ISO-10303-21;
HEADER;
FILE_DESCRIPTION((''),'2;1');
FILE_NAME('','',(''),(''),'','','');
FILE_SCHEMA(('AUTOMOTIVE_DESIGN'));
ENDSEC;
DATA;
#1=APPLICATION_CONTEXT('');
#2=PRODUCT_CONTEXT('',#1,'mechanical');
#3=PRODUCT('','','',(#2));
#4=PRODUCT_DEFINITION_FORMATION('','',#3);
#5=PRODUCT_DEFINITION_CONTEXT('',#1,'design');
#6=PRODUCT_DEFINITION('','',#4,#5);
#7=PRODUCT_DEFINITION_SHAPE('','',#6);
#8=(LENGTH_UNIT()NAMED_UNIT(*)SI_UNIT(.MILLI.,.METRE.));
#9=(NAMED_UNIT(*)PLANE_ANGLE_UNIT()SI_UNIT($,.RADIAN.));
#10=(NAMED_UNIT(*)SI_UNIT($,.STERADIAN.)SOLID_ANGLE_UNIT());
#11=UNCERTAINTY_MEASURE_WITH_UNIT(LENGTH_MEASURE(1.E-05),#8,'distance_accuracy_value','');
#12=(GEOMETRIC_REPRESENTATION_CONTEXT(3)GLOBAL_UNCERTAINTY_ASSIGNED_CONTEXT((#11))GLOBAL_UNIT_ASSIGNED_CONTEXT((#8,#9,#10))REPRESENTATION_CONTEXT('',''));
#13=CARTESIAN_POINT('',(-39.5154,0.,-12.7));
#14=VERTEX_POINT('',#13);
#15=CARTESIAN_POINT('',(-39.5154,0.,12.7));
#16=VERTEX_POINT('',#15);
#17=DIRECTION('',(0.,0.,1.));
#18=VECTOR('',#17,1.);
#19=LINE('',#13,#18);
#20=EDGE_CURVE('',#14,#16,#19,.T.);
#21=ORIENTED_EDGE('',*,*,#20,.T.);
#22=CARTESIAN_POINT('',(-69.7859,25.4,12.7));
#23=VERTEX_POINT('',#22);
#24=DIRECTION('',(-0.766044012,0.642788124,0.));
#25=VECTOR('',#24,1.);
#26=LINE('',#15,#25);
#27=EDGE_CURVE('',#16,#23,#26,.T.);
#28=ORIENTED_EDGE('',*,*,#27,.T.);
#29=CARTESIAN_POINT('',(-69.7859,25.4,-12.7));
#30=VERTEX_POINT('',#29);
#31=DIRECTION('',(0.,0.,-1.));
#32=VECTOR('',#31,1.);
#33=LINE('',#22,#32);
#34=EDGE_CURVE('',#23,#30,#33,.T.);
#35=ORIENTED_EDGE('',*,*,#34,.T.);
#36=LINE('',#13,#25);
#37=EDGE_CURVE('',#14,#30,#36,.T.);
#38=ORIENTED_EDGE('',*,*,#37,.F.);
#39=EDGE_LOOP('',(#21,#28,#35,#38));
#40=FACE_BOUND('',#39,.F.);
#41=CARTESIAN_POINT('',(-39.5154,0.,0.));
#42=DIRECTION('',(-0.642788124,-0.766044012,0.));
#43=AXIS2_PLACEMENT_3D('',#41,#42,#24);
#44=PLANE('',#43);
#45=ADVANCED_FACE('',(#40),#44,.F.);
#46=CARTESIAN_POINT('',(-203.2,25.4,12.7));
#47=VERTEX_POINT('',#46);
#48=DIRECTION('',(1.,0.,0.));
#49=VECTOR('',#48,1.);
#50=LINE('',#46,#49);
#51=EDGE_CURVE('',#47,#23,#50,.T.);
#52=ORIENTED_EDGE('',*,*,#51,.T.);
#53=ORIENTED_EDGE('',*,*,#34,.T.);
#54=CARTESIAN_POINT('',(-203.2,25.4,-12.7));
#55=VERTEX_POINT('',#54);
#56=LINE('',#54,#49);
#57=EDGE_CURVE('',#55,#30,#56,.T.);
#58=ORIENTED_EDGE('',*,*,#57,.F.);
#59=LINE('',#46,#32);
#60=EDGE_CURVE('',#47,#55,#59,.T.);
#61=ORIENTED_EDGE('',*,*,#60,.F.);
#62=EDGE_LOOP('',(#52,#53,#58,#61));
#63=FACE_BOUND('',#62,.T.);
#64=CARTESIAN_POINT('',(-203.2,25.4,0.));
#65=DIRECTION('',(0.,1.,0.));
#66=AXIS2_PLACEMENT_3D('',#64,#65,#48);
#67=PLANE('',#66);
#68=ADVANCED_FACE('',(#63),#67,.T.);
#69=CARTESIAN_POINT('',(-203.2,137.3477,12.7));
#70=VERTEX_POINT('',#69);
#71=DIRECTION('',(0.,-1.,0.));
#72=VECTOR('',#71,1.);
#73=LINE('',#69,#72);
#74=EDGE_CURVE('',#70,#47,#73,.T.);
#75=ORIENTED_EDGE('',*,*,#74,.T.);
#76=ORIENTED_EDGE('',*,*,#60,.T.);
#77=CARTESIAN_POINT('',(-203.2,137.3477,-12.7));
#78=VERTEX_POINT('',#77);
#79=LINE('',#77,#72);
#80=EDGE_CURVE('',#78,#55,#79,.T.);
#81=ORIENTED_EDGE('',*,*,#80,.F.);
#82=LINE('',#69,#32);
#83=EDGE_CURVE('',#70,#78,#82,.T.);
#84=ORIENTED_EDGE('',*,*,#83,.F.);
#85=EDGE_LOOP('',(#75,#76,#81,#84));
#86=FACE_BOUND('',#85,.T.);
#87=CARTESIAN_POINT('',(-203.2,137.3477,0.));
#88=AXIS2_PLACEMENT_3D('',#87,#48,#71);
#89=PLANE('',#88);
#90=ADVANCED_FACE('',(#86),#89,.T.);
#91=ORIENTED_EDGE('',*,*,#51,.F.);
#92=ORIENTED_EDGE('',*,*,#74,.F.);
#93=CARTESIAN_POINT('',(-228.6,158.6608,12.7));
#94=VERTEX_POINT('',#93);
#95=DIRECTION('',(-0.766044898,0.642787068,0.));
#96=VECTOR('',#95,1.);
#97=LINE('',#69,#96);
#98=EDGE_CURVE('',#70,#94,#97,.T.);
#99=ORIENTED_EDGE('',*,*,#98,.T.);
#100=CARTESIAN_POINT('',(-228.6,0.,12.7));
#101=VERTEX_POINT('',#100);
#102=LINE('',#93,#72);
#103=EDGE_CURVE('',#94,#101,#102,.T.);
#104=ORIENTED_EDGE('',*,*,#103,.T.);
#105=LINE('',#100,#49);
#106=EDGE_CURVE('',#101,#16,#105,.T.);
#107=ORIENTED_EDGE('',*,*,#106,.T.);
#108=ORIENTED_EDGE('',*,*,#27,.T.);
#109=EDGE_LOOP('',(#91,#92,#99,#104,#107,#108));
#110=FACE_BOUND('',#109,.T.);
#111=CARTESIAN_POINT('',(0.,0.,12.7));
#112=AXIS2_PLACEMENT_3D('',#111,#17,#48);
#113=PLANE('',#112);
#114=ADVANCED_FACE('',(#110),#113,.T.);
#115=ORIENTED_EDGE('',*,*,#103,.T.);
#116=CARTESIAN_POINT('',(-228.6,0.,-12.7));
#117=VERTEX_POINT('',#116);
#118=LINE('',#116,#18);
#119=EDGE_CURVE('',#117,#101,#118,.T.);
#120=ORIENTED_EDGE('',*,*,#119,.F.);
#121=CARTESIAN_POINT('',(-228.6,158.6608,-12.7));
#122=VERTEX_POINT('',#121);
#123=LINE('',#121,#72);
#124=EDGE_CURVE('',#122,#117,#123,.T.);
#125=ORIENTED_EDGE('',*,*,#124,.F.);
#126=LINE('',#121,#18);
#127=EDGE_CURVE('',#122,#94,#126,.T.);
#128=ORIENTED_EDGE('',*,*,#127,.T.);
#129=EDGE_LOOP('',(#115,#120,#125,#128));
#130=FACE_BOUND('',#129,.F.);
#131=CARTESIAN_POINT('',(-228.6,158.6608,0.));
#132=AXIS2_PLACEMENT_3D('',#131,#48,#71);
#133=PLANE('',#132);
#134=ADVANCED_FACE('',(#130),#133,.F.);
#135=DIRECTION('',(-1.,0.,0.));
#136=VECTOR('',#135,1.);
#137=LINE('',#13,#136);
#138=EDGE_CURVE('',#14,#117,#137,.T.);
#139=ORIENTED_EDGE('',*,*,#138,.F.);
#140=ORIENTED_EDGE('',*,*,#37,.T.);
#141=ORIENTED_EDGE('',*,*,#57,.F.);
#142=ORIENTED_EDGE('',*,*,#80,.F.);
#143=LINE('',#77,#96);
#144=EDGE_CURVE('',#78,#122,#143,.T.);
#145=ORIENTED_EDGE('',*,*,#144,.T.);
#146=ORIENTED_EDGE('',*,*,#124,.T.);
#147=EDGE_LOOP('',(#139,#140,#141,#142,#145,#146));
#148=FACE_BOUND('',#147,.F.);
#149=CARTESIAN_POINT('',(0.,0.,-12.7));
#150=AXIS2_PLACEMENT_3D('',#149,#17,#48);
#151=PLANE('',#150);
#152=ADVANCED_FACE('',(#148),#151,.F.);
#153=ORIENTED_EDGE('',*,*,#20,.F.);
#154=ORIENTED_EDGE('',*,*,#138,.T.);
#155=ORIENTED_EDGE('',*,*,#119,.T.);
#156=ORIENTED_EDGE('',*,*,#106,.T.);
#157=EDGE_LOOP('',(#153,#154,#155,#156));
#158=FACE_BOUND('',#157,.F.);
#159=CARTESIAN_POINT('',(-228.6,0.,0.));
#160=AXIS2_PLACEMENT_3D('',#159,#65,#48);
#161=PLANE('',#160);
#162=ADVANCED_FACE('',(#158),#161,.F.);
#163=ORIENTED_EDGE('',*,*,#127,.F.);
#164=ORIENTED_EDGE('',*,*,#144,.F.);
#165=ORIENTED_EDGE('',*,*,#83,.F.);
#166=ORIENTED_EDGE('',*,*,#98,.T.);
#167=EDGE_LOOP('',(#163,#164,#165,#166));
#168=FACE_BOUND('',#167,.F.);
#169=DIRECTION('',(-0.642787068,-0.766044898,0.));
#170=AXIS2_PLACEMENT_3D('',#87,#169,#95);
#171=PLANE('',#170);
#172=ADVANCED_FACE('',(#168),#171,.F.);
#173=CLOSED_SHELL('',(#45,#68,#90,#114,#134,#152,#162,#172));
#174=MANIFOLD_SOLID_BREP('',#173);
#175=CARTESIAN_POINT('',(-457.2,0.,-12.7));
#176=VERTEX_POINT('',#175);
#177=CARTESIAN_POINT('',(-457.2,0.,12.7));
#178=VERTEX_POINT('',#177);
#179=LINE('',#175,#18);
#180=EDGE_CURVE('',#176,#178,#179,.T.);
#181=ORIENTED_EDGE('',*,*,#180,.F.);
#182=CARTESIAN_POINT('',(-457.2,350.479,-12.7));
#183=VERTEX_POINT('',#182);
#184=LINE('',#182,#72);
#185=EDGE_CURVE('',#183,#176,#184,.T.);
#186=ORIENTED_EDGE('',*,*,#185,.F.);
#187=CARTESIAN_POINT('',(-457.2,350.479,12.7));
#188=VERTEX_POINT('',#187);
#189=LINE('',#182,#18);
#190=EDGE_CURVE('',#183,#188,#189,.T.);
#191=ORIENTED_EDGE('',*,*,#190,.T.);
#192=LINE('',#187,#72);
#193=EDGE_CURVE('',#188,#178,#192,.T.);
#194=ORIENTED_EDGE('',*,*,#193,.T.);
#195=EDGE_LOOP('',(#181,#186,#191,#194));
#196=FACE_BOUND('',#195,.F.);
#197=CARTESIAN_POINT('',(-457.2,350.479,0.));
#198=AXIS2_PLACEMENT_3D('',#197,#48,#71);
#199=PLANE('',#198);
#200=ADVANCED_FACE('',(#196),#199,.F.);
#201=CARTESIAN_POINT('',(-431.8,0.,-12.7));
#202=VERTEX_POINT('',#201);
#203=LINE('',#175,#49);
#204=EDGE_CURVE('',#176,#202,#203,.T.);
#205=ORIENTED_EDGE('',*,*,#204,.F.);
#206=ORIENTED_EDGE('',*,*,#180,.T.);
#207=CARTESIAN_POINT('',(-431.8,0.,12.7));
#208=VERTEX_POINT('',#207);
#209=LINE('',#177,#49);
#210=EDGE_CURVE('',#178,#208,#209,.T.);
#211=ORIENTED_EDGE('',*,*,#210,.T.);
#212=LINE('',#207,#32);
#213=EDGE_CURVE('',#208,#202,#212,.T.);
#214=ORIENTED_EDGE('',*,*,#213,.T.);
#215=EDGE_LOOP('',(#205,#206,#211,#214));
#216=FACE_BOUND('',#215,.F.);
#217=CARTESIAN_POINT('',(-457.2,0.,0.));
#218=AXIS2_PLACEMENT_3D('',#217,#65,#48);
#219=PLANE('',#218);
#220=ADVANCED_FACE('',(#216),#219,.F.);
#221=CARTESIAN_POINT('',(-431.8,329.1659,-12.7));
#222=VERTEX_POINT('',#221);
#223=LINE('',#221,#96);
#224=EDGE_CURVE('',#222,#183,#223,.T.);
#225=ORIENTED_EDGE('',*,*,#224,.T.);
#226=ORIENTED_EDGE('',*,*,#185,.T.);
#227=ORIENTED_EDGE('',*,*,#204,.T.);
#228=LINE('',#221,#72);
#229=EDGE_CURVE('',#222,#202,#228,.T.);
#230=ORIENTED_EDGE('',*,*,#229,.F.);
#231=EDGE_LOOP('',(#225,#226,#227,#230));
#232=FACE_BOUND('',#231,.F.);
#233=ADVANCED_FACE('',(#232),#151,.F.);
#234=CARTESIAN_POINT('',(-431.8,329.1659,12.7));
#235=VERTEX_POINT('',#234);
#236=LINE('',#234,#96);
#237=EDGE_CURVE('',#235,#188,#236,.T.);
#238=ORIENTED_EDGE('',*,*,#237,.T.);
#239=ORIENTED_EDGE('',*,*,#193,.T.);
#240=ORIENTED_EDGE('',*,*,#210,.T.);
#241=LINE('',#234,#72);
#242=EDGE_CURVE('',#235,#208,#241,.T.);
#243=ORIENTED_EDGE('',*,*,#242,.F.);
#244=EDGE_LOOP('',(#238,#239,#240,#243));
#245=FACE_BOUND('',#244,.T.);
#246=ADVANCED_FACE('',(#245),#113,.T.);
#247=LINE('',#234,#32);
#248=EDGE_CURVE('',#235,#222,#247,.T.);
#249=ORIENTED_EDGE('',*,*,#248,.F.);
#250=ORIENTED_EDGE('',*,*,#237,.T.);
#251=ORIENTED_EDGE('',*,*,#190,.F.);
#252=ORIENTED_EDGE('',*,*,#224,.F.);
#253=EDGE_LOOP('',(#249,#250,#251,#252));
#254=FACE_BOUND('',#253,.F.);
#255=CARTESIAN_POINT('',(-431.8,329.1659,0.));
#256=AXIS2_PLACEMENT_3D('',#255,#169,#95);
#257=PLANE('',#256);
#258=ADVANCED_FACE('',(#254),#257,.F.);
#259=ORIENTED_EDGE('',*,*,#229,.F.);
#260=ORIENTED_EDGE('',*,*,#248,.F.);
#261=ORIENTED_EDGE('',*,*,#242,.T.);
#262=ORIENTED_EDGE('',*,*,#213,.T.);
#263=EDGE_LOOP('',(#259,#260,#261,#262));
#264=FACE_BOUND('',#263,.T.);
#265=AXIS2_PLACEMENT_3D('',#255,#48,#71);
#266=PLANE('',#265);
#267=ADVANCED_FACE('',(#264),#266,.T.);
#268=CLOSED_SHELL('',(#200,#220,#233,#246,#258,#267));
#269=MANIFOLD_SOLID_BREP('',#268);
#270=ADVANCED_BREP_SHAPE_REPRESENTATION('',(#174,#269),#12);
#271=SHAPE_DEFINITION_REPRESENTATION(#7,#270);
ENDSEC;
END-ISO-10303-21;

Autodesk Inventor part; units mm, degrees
ref_plane "YZ Plane" through (0, 0, 0) normal (1, 0, 0) x (0, 1, 0)
ref_plane "XZ Plane" through (0, 0, 0) normal (0, 1, 0) x (-1, 0, 0)
ref_plane "XY Plane" through (0, 0, 0) normal (0, 0, 1) x (1, 0, 0)
sketch "Sketch1" plane through (0, 0, 0) normal (0, 0, 1) x (1, 0, 0)
  line L0 (0, 0) -> (-228.6, 0) construction
  line L1 (0, 0) -> (-39.5154, 0)
  line L2 (-457.2, 350.479) -> (-457.2, 0)
  line L3 (-431.8, 329.1659) -> (-431.8, 0)
  line L4 (-228.6, 158.6608) -> (-228.6, 0)
  line L5 (-203.2, 137.3477) -> (-203.2, 0)
  line L6 (-457.2, 0) -> (-431.8, 0)
  line L7 (-228.6, 0) -> (-203.2, 0)
  line L8 (-203.2, 0) -> (-39.5154, 0)
  line L9 (-203.2, 25.4) -> (-69.7859, 25.4)
  line L10 (0, 0) -> (0, 391.6762) construction
  line L11 (-431.8, 329.1659) -> (-457.2, 350.479)
  line L12 (-39.5154, 0) -> (-69.7859, 25.4)
  line L13 (-203.2, 137.3477) -> (-228.6, 158.6608)
  dimension "d19" = 25.4
  dimension "d21" = 25.4
  dimension "d27" = 25.4
  dimension "d34" = 350.479
  dimension "d35" = 158.6608
  dimension "d36" = 163.6846
extrude "Extrusion1" add sketch "Sketch1" along normal mid plane 25.4
properties part number "newFrame1x1V03"
